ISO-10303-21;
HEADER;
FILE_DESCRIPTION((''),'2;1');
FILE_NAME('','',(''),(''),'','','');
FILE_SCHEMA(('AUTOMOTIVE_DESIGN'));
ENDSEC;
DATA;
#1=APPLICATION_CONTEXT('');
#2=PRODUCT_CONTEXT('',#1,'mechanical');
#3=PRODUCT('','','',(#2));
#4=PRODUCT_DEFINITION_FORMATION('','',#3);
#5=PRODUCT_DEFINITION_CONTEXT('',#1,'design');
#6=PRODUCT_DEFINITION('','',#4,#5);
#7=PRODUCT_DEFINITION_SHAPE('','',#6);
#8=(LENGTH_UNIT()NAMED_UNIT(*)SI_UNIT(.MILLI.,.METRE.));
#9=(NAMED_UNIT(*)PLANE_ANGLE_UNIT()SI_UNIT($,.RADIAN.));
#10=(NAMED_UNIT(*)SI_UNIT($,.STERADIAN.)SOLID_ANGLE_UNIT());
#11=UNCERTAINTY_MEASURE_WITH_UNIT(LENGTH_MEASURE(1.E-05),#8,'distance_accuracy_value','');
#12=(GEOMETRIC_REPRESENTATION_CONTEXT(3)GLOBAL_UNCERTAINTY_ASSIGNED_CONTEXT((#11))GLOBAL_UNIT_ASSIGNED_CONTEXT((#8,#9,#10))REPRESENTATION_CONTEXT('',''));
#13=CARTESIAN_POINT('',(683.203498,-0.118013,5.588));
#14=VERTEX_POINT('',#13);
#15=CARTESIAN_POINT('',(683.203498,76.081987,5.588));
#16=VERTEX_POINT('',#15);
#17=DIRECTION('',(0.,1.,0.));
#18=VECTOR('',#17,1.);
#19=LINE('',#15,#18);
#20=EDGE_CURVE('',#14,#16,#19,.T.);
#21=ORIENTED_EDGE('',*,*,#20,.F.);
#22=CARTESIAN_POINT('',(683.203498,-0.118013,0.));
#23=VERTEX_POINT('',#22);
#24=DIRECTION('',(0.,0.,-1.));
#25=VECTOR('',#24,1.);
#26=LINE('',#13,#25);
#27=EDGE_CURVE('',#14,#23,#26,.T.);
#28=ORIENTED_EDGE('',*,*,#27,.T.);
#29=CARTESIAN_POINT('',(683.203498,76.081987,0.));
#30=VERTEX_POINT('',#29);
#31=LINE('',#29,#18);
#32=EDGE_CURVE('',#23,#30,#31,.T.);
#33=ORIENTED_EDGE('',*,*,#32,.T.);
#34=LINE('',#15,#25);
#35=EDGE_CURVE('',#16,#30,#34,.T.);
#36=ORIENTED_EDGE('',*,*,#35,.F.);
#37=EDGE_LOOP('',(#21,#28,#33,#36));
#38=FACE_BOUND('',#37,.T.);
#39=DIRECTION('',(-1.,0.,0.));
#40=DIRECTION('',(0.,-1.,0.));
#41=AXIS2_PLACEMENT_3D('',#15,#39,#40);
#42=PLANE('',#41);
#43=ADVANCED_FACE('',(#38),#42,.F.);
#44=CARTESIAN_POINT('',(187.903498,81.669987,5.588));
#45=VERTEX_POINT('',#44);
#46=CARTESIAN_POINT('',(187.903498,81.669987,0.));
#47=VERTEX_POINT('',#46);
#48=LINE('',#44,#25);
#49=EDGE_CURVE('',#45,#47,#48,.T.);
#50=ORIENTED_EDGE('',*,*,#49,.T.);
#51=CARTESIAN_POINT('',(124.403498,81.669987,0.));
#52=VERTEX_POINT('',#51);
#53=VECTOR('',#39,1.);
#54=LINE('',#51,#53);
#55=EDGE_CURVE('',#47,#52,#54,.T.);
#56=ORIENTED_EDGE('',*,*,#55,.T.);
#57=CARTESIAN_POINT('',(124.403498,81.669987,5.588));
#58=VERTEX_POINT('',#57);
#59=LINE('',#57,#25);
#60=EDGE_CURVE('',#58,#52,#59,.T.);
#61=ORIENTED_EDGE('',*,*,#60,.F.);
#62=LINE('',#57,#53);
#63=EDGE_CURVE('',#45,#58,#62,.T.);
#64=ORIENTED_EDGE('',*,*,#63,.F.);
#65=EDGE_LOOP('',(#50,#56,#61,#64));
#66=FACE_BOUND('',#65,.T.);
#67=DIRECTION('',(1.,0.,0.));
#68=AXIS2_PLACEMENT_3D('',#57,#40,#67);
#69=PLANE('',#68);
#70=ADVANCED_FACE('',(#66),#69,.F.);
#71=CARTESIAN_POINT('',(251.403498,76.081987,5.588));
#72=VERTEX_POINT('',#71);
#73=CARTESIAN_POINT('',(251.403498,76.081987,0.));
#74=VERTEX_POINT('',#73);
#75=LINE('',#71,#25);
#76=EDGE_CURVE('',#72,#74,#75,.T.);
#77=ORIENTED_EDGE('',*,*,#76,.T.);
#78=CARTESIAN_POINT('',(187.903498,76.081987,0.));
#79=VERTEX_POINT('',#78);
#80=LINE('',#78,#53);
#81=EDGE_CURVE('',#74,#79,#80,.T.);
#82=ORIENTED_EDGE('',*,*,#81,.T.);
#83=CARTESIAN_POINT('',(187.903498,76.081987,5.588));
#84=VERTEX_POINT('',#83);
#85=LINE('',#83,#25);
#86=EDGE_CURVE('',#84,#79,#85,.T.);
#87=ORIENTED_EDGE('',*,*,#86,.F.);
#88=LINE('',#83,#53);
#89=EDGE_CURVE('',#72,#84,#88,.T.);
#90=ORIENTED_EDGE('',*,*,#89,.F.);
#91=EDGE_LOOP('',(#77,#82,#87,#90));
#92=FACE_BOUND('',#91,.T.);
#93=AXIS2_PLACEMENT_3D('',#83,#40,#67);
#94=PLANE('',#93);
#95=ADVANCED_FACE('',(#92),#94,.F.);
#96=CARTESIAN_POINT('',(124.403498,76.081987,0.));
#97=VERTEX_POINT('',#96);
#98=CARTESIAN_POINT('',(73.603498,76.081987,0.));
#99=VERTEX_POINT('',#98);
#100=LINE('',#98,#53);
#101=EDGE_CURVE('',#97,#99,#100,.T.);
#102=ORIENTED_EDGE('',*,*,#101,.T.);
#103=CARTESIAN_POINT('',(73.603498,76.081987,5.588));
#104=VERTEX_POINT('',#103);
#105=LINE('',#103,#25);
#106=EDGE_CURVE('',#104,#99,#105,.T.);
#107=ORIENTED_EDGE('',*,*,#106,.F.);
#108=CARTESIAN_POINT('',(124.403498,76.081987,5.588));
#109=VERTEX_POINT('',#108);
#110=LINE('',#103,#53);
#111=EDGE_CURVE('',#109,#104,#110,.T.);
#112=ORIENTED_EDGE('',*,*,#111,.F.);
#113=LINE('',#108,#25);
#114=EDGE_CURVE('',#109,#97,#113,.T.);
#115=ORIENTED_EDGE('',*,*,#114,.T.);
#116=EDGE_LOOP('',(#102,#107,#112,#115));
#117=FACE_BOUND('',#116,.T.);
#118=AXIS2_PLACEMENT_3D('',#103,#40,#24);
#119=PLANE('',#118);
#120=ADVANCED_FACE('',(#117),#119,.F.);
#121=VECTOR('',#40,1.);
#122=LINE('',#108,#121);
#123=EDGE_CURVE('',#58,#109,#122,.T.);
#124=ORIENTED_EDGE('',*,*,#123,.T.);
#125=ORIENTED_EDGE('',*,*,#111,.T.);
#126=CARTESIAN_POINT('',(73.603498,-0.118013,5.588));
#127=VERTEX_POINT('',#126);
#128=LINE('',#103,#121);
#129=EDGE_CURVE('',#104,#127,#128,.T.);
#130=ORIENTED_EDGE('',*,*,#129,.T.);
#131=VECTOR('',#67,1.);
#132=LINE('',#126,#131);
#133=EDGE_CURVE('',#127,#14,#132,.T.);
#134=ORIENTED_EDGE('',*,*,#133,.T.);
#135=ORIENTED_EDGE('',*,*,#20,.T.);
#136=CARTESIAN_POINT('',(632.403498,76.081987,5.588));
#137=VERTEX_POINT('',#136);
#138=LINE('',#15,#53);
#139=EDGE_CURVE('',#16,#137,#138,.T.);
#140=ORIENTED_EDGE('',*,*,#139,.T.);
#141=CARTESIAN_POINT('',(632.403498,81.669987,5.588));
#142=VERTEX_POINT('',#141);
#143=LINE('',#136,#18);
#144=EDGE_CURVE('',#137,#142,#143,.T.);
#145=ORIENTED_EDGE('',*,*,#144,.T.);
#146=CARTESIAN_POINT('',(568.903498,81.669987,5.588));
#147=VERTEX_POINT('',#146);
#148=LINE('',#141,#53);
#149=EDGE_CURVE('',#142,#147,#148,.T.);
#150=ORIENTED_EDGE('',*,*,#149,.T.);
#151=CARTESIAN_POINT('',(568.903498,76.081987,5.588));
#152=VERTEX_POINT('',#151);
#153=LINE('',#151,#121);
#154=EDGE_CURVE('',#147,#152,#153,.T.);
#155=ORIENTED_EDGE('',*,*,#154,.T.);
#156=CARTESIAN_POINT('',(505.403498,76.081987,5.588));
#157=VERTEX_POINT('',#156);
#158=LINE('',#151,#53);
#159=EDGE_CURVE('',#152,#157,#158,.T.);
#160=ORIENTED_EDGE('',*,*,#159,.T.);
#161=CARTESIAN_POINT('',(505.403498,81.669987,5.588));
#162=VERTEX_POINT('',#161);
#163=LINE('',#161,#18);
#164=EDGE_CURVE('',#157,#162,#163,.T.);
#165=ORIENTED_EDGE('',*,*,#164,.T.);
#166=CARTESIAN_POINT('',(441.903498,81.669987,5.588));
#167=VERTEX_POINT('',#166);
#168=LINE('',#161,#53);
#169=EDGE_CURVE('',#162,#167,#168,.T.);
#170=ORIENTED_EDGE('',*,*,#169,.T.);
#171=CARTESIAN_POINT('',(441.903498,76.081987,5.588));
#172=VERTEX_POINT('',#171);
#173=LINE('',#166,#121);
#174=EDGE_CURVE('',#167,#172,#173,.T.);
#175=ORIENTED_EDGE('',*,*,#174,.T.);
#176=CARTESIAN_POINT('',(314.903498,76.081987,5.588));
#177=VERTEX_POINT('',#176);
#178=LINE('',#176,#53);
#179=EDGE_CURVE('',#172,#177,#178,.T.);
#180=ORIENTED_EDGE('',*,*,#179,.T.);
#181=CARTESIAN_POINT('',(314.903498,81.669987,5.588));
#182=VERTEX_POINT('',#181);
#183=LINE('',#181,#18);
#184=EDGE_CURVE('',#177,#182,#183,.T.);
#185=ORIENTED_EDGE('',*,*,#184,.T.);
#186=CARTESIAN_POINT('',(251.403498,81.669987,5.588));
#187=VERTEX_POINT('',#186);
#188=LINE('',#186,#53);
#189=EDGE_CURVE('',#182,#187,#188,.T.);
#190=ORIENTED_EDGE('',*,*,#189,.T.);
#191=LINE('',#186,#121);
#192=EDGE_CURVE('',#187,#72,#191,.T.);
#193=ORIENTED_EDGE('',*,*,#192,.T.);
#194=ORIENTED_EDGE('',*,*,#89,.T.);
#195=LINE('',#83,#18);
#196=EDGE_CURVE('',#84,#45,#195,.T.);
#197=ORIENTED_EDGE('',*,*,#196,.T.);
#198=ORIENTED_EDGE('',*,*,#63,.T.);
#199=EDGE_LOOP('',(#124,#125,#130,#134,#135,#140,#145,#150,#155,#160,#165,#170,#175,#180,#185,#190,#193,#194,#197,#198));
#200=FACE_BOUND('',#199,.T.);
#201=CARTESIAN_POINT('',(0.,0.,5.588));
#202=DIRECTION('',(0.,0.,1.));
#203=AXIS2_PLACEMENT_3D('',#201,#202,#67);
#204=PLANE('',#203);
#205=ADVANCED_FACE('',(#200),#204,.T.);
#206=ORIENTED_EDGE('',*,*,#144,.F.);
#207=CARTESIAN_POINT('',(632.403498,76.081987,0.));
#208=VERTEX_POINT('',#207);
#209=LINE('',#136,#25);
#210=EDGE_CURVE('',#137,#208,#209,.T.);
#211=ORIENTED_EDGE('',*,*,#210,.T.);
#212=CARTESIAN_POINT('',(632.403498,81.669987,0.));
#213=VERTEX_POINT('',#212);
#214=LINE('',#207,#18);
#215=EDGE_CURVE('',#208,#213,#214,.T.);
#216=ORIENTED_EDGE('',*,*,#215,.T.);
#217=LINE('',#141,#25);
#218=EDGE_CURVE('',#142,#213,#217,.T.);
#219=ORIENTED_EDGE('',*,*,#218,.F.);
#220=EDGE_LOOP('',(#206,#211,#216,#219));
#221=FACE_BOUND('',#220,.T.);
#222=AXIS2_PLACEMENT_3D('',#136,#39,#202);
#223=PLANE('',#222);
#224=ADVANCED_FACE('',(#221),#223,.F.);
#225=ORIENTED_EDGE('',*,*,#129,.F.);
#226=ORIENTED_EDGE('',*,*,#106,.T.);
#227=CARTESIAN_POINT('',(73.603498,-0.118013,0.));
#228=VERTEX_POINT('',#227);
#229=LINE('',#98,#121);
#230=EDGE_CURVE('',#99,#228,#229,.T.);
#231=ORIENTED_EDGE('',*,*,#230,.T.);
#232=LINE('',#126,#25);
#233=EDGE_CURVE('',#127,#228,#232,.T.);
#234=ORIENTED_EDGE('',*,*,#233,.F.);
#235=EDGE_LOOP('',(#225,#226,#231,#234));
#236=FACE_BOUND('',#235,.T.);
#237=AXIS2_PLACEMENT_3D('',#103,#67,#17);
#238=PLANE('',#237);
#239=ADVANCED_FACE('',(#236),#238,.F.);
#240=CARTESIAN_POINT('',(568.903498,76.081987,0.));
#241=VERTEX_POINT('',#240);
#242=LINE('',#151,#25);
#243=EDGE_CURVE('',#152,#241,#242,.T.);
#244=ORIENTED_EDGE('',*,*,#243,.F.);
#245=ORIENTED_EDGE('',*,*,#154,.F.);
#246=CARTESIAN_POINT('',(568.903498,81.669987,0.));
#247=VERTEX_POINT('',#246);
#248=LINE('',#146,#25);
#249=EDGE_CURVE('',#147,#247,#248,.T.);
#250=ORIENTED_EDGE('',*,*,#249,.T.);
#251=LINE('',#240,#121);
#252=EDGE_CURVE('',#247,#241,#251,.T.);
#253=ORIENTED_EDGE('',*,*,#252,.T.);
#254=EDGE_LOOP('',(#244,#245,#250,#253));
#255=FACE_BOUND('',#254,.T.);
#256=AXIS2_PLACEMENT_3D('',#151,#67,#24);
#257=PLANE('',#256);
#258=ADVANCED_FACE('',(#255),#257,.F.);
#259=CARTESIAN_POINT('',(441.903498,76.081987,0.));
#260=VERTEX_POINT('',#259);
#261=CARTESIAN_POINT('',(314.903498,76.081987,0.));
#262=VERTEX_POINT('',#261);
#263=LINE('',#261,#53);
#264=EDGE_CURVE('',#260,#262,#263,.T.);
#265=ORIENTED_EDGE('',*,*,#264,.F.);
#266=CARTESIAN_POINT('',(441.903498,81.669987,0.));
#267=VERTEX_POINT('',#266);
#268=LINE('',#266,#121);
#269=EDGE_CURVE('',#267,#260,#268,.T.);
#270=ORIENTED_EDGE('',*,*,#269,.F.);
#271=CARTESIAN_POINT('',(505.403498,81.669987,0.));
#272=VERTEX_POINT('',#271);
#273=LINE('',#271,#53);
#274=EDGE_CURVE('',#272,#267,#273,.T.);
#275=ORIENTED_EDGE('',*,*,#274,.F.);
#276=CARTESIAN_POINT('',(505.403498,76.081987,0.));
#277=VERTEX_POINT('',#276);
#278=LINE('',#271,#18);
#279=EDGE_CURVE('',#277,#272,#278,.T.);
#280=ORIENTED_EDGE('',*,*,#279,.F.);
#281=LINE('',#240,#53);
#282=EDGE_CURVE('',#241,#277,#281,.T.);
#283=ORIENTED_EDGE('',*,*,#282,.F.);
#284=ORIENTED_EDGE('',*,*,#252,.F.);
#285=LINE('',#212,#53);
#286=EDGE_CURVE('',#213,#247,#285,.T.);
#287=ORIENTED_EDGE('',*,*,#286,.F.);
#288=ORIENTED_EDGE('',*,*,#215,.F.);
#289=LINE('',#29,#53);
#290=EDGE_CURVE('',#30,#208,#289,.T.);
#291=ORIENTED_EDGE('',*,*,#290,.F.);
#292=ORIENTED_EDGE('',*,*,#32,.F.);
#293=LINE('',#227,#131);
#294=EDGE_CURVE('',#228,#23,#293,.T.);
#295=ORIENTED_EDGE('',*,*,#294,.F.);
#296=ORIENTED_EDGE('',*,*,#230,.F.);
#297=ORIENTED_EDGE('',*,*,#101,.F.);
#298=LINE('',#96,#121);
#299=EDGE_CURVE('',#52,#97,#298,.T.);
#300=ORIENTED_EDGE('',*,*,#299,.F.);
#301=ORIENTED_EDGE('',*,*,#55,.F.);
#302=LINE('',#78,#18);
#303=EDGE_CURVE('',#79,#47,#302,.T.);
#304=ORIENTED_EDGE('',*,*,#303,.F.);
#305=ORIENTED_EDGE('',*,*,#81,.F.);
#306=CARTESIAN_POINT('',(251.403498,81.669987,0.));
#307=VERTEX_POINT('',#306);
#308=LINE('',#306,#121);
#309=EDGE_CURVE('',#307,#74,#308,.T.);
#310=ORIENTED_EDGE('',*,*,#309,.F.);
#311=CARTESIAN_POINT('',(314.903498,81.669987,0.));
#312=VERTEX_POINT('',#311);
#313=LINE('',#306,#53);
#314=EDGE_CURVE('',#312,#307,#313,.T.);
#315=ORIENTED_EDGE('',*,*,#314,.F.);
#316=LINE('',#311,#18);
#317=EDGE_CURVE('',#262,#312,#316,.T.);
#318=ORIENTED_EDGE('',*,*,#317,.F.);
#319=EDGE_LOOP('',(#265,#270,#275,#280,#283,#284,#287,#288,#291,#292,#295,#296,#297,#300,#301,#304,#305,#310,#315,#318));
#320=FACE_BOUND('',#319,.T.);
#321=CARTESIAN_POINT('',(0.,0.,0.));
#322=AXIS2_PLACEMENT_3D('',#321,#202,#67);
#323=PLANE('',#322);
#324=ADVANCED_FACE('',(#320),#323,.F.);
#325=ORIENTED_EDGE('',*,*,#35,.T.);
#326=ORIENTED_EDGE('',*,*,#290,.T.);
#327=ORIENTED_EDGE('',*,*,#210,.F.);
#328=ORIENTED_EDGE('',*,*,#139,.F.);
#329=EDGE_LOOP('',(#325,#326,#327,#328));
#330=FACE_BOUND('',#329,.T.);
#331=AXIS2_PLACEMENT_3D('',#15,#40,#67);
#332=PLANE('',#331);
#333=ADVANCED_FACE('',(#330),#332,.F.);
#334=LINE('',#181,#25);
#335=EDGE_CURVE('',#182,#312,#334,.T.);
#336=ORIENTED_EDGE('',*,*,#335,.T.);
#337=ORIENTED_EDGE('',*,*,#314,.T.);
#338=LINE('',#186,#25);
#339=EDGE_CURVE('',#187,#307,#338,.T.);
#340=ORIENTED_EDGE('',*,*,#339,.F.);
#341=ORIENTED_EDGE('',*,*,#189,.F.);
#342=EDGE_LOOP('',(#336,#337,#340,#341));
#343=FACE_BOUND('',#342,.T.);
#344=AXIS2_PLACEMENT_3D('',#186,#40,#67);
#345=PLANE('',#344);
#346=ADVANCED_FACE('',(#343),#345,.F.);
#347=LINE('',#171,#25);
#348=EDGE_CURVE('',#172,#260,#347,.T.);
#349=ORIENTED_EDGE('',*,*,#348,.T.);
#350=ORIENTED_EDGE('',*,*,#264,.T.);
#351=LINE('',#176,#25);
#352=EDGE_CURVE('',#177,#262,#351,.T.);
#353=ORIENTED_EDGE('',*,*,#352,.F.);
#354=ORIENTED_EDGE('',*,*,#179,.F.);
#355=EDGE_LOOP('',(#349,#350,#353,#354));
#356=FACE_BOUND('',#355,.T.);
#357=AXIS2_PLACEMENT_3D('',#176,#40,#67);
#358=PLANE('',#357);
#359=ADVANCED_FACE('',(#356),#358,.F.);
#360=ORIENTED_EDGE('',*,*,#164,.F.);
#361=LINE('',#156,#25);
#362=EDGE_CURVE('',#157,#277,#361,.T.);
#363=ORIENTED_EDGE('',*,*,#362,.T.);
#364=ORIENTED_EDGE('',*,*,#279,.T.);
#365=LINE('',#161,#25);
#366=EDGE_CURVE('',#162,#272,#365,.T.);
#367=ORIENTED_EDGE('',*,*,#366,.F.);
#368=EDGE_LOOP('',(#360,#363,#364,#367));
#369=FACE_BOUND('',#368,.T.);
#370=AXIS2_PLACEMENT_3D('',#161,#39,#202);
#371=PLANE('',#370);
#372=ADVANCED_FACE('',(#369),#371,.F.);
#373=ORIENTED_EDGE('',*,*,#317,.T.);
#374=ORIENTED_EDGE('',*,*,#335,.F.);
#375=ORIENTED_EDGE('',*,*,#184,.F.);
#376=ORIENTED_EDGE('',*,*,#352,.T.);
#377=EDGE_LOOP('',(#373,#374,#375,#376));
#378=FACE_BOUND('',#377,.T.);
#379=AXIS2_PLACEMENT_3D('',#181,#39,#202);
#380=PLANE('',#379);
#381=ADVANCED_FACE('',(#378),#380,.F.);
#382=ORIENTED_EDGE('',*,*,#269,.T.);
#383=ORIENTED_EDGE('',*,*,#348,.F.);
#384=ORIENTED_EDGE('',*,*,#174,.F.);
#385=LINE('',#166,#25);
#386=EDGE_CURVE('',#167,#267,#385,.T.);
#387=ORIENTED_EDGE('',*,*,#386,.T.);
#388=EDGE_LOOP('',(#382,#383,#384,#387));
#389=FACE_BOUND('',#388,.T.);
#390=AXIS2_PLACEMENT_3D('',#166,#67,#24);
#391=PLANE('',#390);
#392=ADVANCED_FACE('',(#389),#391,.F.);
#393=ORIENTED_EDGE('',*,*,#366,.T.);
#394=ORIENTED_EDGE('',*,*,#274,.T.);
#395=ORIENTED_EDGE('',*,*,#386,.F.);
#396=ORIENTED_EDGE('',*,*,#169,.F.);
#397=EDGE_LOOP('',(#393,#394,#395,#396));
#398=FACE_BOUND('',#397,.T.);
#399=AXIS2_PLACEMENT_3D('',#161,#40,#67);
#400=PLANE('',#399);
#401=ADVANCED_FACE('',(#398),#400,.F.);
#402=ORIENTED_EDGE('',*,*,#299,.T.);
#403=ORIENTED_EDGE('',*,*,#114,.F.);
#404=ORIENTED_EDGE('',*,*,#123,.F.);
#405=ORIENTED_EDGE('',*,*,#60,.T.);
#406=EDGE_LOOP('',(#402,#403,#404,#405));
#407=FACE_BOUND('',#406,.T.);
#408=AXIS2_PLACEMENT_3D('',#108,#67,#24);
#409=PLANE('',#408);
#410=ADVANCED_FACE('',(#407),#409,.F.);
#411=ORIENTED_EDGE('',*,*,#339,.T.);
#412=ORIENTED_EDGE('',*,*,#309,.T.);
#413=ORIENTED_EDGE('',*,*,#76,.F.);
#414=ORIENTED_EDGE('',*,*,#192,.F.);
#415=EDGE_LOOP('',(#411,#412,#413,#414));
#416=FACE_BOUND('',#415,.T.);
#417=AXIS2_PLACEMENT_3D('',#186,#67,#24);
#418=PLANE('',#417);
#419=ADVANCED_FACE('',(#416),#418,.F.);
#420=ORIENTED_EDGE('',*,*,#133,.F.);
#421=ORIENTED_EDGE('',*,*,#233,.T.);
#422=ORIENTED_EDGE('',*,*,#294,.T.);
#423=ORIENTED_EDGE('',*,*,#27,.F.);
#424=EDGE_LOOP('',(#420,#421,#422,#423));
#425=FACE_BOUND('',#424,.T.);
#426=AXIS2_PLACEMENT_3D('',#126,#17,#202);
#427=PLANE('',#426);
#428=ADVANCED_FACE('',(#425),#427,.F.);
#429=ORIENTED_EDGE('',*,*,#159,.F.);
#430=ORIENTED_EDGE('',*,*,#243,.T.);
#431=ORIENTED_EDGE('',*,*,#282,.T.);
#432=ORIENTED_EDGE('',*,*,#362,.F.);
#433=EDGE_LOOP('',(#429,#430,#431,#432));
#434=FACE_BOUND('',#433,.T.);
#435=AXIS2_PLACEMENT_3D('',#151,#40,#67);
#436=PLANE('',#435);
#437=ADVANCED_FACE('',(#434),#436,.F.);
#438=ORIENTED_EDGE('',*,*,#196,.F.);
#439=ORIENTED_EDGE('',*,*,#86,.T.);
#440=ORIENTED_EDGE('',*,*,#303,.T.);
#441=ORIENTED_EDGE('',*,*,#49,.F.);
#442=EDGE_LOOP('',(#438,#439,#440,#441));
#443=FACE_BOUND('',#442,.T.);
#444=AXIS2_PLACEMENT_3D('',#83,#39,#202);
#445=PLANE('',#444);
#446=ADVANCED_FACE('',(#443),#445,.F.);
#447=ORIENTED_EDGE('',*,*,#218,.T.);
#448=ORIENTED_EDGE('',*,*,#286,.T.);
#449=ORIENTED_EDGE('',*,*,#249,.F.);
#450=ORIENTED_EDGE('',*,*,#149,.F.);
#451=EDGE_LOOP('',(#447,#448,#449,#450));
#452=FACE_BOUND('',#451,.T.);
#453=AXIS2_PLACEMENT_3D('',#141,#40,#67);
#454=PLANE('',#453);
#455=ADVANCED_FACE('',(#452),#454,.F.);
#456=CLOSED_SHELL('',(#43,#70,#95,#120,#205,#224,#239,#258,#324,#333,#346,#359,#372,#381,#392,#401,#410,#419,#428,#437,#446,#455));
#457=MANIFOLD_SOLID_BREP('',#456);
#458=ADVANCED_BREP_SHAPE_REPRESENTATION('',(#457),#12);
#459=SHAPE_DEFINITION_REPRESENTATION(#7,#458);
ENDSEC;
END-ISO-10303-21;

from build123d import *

# Parameters (mm, degrees)
BOSS_EXTRUDE1_DEPTH = 5.588


with BuildPart() as part:
    # Sketch1 → Boss-Extrude1 (new body)
    with BuildSketch(Plane.XY):
        Polygon((73.603498171, 76.081986728), (124.403498171, 76.081986728), (124.403498171, 81.669986728), (187.903498171, 81.669986728), (187.903498171, 76.081986728), (251.403498171, 76.081986728), (251.403498171, 81.669986728), (314.903498171, 81.669986728), (314.903498171, 76.081986728), (441.903498171, 76.081986728), (441.903498171, 81.669986728), (505.403498171, 81.669986728), (505.403498171, 76.081986728), (568.903498171, 76.081986728), (568.903498171, 81.669986728), (632.403498171, 81.669986728), (632.403498171, 76.081986728), (683.203498171, 76.081986728), (683.203498171, -0.118013272), (73.603498171, -0.118013272), align=None)
    extrude(amount=BOSS_EXTRUDE1_DEPTH)


solid = part.part
